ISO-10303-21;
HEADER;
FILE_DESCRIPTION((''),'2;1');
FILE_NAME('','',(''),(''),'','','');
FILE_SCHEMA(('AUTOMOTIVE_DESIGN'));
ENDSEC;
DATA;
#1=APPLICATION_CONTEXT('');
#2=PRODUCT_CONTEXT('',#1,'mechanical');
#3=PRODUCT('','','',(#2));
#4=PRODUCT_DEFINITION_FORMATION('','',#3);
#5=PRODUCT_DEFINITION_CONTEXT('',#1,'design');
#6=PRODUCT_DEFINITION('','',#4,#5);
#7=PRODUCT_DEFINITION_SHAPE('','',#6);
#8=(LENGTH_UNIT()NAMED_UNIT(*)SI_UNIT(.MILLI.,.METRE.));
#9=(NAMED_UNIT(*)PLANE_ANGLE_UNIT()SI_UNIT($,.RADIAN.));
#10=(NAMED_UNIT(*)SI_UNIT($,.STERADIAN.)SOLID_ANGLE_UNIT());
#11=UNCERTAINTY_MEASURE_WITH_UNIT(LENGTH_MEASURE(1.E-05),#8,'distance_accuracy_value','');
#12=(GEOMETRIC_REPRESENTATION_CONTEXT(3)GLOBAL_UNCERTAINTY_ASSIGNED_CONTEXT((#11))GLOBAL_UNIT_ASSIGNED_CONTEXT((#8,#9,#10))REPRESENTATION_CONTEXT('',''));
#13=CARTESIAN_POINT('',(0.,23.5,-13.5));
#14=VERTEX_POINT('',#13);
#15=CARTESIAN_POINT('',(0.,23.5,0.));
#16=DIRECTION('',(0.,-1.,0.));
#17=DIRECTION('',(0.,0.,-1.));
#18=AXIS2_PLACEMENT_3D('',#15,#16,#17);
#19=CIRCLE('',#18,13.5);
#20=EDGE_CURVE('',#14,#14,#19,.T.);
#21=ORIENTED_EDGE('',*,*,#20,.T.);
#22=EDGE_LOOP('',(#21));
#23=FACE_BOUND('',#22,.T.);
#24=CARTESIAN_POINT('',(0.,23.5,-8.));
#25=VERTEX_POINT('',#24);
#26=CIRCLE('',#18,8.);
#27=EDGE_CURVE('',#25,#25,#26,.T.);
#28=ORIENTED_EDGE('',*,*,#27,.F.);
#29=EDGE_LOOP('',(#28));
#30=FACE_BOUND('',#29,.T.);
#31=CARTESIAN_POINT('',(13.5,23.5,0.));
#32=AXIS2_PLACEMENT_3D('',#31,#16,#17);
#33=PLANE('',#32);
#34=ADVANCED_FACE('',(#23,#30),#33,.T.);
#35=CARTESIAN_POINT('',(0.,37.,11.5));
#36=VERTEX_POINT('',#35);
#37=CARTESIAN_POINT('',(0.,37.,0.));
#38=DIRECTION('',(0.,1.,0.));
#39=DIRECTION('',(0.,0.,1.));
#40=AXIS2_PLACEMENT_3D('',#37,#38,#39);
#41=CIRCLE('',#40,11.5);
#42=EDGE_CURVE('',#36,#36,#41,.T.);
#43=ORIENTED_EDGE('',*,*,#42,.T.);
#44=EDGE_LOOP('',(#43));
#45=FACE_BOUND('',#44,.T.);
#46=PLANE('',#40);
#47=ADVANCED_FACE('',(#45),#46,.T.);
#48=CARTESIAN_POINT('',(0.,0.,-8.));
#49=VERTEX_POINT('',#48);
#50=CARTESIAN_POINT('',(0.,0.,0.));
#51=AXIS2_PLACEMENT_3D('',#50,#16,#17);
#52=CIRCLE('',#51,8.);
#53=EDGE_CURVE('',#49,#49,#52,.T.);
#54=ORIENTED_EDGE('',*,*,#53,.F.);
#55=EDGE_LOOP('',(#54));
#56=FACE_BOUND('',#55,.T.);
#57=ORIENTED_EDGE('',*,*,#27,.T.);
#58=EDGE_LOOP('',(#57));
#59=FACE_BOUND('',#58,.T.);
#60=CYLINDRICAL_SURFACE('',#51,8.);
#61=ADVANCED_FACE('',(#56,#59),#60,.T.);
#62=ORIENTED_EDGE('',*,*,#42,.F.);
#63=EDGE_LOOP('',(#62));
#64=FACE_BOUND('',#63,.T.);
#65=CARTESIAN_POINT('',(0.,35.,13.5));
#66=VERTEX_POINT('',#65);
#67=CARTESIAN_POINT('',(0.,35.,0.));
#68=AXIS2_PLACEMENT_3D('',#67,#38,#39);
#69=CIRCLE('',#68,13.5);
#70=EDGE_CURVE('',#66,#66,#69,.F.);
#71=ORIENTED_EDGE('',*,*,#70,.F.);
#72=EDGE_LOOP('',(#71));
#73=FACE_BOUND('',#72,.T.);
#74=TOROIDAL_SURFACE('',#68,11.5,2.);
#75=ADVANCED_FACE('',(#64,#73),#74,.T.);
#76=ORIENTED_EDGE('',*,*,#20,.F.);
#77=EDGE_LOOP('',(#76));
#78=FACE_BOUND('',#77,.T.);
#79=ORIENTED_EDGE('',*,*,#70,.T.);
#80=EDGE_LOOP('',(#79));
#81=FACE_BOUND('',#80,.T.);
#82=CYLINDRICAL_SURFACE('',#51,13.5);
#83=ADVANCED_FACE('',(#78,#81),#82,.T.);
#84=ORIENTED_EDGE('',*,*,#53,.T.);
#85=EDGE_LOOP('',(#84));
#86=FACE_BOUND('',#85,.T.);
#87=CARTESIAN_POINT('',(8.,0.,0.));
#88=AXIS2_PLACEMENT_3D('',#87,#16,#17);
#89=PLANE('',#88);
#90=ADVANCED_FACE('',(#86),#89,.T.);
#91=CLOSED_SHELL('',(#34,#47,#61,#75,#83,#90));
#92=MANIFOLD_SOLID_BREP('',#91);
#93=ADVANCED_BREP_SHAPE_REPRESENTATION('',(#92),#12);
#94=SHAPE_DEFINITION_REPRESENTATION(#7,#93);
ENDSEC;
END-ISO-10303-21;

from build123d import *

# Parameters (mm, degrees)
FILLET1_R = 2


with BuildPart() as part:
    # Sketch1 → Revolve1 (revolve)
    with BuildSketch(Plane.XY, mode=Mode.PRIVATE) as revolve1_sk:
        Polygon((0, 0), (0, 37), (13.5, 37), (13.5, 23.5), (8, 23.5), (8, 0), align=None)
    revolve(revolve1_sk.sketch.rotate(Axis((0, 0, 0), (0, 1, 0)), 90), axis=Axis((0, 0, 0), (0, 1, 0)))

    # Fillet1
    fillet1_edges = [part.edges().sort_by_distance(p)[0] for p in [
        (0, 37, 13.5),
    ]]
    fillet(fillet1_edges, radius=FILLET1_R)


solid = part.part
